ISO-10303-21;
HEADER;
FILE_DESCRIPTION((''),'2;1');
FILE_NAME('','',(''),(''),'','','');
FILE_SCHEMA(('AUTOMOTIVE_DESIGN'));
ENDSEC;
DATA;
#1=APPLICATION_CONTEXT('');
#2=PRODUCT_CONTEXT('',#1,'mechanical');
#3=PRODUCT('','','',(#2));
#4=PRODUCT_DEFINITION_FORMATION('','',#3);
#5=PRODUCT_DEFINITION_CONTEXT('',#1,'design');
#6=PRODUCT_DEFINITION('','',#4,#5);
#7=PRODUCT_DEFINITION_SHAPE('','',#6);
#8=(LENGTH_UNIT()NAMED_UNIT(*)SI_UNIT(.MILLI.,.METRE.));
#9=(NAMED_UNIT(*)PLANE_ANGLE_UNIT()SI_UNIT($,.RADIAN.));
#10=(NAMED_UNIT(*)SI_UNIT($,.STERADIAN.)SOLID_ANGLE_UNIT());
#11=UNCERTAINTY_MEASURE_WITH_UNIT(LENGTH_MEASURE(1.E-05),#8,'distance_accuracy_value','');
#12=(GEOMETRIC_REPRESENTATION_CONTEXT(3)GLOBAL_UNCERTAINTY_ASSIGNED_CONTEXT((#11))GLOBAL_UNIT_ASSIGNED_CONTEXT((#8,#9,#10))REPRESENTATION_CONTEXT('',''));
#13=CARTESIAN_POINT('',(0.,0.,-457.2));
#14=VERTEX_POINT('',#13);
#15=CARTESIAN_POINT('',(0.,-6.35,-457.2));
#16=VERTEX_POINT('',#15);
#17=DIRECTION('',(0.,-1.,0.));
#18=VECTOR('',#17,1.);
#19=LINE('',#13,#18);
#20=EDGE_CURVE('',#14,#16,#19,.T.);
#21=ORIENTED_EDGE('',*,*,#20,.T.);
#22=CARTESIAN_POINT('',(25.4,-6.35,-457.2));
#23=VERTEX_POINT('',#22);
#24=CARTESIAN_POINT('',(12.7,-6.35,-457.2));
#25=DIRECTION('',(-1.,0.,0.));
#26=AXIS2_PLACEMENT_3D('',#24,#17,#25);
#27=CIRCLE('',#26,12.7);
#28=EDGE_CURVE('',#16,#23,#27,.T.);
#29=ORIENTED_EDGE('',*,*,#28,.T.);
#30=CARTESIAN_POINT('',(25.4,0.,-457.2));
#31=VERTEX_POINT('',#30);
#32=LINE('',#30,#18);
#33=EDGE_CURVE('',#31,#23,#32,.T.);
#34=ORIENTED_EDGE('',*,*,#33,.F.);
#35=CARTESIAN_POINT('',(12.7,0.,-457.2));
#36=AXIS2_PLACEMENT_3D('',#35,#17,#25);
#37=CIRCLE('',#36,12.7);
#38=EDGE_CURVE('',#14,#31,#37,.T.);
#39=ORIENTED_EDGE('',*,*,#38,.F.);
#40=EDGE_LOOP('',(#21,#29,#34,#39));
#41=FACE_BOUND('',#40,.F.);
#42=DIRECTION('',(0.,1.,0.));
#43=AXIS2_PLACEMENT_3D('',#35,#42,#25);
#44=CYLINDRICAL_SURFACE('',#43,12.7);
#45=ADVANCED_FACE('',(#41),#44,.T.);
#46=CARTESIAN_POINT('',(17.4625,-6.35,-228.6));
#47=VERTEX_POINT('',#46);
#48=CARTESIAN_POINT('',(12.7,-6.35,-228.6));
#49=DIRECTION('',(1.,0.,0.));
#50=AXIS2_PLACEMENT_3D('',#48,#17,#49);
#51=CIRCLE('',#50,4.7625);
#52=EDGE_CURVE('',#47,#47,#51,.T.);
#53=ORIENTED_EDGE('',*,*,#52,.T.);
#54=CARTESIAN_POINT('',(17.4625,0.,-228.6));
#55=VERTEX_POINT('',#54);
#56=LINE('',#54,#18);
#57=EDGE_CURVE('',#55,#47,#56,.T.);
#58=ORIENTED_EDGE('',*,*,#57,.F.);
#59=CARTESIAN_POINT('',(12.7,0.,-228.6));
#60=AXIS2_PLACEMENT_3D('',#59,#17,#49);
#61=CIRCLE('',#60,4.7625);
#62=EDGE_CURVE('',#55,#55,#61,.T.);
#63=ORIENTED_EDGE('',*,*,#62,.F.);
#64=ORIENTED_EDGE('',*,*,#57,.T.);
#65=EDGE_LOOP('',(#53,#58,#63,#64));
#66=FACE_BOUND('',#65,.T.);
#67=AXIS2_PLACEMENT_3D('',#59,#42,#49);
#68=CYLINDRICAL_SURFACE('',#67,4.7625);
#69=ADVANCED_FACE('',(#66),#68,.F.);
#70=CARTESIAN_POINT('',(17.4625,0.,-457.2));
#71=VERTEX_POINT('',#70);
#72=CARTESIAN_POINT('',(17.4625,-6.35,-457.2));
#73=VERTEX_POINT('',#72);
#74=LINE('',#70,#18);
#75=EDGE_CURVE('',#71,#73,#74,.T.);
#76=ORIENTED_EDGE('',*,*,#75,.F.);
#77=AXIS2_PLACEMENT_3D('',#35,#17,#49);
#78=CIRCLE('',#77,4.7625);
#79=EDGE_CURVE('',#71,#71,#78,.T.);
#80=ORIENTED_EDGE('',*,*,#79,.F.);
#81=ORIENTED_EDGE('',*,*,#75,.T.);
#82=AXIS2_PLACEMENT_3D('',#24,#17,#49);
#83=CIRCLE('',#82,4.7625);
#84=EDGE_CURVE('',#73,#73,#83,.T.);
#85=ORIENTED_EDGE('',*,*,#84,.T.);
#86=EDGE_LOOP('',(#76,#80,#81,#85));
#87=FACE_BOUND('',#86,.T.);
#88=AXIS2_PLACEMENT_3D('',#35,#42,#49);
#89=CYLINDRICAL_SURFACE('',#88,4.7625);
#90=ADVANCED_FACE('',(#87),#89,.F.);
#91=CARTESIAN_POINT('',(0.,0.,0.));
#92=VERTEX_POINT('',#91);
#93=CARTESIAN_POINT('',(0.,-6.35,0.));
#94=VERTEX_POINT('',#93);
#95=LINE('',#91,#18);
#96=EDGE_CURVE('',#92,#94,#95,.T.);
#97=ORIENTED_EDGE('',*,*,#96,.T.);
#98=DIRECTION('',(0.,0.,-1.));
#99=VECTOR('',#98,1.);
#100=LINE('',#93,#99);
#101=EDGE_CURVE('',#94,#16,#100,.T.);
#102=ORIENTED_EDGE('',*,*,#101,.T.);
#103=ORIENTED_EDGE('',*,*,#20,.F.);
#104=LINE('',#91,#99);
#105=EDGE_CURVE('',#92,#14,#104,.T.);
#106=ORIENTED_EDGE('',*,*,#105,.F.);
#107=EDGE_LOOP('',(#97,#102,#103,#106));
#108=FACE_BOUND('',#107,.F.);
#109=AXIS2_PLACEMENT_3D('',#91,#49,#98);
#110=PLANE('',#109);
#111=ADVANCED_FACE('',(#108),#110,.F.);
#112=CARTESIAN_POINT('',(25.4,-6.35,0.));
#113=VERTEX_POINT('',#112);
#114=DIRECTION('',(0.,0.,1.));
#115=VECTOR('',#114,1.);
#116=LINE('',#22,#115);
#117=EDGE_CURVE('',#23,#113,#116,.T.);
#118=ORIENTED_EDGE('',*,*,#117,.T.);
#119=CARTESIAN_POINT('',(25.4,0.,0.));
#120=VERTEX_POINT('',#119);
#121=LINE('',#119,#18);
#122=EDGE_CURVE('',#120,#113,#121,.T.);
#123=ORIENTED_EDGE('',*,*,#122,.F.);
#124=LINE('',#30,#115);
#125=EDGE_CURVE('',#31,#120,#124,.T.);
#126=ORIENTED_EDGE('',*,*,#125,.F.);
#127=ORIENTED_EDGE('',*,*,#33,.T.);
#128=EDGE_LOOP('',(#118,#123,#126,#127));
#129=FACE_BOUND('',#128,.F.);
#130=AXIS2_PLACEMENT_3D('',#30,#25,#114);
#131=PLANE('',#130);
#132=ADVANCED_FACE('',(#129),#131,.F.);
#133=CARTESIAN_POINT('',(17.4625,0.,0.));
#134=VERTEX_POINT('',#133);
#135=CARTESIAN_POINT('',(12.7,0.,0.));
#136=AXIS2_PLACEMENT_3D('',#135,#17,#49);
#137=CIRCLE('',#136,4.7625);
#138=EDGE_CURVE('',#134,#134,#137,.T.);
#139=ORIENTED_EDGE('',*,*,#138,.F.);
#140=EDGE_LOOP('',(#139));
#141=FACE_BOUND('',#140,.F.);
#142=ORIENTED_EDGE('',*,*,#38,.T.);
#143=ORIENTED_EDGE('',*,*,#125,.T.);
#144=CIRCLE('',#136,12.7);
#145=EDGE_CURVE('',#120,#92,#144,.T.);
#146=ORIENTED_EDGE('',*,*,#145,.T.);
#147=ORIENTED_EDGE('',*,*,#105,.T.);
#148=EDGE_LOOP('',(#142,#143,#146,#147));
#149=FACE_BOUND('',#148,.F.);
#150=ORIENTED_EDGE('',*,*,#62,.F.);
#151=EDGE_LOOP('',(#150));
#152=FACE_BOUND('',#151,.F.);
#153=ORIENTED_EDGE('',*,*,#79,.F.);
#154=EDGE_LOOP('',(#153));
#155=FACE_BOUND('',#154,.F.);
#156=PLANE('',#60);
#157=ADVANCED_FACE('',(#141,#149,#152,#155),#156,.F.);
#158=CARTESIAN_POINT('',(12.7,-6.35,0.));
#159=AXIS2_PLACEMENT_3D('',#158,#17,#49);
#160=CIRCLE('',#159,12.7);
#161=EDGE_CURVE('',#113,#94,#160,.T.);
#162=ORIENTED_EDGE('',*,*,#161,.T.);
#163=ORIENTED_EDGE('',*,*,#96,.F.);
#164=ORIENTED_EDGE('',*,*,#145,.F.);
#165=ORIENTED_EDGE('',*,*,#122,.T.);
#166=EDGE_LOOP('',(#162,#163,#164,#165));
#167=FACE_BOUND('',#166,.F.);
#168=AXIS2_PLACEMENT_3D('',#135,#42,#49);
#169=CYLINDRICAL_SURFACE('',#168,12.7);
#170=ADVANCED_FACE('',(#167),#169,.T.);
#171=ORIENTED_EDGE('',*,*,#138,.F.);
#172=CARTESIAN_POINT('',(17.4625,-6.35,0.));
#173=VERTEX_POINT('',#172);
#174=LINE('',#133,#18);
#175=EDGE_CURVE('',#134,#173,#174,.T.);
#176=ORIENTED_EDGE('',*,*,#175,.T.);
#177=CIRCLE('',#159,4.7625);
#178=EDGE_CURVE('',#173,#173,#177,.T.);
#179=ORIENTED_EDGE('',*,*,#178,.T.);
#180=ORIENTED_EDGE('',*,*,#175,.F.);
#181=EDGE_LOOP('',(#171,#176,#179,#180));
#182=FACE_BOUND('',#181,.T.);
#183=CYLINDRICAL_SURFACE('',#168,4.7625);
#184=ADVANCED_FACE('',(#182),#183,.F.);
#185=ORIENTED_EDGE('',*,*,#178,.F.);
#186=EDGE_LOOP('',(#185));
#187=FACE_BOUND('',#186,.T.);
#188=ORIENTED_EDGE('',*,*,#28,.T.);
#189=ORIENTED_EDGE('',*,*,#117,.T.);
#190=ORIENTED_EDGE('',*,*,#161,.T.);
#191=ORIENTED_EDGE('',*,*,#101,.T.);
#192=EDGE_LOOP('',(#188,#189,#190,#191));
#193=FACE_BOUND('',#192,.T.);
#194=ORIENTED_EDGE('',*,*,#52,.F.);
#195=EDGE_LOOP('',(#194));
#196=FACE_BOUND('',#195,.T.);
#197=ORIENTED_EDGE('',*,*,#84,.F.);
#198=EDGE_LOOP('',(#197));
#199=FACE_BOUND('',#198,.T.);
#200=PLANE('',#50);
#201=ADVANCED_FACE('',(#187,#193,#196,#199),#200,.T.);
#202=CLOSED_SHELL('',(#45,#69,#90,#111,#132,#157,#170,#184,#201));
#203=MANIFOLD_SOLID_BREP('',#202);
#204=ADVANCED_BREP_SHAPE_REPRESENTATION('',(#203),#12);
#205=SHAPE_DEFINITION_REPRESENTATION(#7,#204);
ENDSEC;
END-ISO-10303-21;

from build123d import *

# Parameters (mm, degrees)
F0_R     = 4.7625
F1_DEPTH = 6.35


with BuildPart() as f1:
    # F0 (on Front) → F1 (new body)
    with BuildSketch(Plane.XZ):
        with BuildLine():
            ThreePointArc((25.4, 0), (12.7, 12.7), (0, 0))
            Line((0, 0), (0, -457.2))
            ThreePointArc((0, -457.2), (12.7, -469.9), (25.4, -457.2))
            Line((25.4, -457.2), (25.4, 0))
        make_face()
        with Locations((12.7, -457.2)):
            Circle(F0_R, mode=Mode.SUBTRACT)
        with Locations((12.7, -228.6)):
            Circle(F0_R, mode=Mode.SUBTRACT)
        with Locations((12.7, 0)):
            Circle(F0_R, mode=Mode.SUBTRACT)
    extrude(amount=F1_DEPTH)


solid = f1.part
